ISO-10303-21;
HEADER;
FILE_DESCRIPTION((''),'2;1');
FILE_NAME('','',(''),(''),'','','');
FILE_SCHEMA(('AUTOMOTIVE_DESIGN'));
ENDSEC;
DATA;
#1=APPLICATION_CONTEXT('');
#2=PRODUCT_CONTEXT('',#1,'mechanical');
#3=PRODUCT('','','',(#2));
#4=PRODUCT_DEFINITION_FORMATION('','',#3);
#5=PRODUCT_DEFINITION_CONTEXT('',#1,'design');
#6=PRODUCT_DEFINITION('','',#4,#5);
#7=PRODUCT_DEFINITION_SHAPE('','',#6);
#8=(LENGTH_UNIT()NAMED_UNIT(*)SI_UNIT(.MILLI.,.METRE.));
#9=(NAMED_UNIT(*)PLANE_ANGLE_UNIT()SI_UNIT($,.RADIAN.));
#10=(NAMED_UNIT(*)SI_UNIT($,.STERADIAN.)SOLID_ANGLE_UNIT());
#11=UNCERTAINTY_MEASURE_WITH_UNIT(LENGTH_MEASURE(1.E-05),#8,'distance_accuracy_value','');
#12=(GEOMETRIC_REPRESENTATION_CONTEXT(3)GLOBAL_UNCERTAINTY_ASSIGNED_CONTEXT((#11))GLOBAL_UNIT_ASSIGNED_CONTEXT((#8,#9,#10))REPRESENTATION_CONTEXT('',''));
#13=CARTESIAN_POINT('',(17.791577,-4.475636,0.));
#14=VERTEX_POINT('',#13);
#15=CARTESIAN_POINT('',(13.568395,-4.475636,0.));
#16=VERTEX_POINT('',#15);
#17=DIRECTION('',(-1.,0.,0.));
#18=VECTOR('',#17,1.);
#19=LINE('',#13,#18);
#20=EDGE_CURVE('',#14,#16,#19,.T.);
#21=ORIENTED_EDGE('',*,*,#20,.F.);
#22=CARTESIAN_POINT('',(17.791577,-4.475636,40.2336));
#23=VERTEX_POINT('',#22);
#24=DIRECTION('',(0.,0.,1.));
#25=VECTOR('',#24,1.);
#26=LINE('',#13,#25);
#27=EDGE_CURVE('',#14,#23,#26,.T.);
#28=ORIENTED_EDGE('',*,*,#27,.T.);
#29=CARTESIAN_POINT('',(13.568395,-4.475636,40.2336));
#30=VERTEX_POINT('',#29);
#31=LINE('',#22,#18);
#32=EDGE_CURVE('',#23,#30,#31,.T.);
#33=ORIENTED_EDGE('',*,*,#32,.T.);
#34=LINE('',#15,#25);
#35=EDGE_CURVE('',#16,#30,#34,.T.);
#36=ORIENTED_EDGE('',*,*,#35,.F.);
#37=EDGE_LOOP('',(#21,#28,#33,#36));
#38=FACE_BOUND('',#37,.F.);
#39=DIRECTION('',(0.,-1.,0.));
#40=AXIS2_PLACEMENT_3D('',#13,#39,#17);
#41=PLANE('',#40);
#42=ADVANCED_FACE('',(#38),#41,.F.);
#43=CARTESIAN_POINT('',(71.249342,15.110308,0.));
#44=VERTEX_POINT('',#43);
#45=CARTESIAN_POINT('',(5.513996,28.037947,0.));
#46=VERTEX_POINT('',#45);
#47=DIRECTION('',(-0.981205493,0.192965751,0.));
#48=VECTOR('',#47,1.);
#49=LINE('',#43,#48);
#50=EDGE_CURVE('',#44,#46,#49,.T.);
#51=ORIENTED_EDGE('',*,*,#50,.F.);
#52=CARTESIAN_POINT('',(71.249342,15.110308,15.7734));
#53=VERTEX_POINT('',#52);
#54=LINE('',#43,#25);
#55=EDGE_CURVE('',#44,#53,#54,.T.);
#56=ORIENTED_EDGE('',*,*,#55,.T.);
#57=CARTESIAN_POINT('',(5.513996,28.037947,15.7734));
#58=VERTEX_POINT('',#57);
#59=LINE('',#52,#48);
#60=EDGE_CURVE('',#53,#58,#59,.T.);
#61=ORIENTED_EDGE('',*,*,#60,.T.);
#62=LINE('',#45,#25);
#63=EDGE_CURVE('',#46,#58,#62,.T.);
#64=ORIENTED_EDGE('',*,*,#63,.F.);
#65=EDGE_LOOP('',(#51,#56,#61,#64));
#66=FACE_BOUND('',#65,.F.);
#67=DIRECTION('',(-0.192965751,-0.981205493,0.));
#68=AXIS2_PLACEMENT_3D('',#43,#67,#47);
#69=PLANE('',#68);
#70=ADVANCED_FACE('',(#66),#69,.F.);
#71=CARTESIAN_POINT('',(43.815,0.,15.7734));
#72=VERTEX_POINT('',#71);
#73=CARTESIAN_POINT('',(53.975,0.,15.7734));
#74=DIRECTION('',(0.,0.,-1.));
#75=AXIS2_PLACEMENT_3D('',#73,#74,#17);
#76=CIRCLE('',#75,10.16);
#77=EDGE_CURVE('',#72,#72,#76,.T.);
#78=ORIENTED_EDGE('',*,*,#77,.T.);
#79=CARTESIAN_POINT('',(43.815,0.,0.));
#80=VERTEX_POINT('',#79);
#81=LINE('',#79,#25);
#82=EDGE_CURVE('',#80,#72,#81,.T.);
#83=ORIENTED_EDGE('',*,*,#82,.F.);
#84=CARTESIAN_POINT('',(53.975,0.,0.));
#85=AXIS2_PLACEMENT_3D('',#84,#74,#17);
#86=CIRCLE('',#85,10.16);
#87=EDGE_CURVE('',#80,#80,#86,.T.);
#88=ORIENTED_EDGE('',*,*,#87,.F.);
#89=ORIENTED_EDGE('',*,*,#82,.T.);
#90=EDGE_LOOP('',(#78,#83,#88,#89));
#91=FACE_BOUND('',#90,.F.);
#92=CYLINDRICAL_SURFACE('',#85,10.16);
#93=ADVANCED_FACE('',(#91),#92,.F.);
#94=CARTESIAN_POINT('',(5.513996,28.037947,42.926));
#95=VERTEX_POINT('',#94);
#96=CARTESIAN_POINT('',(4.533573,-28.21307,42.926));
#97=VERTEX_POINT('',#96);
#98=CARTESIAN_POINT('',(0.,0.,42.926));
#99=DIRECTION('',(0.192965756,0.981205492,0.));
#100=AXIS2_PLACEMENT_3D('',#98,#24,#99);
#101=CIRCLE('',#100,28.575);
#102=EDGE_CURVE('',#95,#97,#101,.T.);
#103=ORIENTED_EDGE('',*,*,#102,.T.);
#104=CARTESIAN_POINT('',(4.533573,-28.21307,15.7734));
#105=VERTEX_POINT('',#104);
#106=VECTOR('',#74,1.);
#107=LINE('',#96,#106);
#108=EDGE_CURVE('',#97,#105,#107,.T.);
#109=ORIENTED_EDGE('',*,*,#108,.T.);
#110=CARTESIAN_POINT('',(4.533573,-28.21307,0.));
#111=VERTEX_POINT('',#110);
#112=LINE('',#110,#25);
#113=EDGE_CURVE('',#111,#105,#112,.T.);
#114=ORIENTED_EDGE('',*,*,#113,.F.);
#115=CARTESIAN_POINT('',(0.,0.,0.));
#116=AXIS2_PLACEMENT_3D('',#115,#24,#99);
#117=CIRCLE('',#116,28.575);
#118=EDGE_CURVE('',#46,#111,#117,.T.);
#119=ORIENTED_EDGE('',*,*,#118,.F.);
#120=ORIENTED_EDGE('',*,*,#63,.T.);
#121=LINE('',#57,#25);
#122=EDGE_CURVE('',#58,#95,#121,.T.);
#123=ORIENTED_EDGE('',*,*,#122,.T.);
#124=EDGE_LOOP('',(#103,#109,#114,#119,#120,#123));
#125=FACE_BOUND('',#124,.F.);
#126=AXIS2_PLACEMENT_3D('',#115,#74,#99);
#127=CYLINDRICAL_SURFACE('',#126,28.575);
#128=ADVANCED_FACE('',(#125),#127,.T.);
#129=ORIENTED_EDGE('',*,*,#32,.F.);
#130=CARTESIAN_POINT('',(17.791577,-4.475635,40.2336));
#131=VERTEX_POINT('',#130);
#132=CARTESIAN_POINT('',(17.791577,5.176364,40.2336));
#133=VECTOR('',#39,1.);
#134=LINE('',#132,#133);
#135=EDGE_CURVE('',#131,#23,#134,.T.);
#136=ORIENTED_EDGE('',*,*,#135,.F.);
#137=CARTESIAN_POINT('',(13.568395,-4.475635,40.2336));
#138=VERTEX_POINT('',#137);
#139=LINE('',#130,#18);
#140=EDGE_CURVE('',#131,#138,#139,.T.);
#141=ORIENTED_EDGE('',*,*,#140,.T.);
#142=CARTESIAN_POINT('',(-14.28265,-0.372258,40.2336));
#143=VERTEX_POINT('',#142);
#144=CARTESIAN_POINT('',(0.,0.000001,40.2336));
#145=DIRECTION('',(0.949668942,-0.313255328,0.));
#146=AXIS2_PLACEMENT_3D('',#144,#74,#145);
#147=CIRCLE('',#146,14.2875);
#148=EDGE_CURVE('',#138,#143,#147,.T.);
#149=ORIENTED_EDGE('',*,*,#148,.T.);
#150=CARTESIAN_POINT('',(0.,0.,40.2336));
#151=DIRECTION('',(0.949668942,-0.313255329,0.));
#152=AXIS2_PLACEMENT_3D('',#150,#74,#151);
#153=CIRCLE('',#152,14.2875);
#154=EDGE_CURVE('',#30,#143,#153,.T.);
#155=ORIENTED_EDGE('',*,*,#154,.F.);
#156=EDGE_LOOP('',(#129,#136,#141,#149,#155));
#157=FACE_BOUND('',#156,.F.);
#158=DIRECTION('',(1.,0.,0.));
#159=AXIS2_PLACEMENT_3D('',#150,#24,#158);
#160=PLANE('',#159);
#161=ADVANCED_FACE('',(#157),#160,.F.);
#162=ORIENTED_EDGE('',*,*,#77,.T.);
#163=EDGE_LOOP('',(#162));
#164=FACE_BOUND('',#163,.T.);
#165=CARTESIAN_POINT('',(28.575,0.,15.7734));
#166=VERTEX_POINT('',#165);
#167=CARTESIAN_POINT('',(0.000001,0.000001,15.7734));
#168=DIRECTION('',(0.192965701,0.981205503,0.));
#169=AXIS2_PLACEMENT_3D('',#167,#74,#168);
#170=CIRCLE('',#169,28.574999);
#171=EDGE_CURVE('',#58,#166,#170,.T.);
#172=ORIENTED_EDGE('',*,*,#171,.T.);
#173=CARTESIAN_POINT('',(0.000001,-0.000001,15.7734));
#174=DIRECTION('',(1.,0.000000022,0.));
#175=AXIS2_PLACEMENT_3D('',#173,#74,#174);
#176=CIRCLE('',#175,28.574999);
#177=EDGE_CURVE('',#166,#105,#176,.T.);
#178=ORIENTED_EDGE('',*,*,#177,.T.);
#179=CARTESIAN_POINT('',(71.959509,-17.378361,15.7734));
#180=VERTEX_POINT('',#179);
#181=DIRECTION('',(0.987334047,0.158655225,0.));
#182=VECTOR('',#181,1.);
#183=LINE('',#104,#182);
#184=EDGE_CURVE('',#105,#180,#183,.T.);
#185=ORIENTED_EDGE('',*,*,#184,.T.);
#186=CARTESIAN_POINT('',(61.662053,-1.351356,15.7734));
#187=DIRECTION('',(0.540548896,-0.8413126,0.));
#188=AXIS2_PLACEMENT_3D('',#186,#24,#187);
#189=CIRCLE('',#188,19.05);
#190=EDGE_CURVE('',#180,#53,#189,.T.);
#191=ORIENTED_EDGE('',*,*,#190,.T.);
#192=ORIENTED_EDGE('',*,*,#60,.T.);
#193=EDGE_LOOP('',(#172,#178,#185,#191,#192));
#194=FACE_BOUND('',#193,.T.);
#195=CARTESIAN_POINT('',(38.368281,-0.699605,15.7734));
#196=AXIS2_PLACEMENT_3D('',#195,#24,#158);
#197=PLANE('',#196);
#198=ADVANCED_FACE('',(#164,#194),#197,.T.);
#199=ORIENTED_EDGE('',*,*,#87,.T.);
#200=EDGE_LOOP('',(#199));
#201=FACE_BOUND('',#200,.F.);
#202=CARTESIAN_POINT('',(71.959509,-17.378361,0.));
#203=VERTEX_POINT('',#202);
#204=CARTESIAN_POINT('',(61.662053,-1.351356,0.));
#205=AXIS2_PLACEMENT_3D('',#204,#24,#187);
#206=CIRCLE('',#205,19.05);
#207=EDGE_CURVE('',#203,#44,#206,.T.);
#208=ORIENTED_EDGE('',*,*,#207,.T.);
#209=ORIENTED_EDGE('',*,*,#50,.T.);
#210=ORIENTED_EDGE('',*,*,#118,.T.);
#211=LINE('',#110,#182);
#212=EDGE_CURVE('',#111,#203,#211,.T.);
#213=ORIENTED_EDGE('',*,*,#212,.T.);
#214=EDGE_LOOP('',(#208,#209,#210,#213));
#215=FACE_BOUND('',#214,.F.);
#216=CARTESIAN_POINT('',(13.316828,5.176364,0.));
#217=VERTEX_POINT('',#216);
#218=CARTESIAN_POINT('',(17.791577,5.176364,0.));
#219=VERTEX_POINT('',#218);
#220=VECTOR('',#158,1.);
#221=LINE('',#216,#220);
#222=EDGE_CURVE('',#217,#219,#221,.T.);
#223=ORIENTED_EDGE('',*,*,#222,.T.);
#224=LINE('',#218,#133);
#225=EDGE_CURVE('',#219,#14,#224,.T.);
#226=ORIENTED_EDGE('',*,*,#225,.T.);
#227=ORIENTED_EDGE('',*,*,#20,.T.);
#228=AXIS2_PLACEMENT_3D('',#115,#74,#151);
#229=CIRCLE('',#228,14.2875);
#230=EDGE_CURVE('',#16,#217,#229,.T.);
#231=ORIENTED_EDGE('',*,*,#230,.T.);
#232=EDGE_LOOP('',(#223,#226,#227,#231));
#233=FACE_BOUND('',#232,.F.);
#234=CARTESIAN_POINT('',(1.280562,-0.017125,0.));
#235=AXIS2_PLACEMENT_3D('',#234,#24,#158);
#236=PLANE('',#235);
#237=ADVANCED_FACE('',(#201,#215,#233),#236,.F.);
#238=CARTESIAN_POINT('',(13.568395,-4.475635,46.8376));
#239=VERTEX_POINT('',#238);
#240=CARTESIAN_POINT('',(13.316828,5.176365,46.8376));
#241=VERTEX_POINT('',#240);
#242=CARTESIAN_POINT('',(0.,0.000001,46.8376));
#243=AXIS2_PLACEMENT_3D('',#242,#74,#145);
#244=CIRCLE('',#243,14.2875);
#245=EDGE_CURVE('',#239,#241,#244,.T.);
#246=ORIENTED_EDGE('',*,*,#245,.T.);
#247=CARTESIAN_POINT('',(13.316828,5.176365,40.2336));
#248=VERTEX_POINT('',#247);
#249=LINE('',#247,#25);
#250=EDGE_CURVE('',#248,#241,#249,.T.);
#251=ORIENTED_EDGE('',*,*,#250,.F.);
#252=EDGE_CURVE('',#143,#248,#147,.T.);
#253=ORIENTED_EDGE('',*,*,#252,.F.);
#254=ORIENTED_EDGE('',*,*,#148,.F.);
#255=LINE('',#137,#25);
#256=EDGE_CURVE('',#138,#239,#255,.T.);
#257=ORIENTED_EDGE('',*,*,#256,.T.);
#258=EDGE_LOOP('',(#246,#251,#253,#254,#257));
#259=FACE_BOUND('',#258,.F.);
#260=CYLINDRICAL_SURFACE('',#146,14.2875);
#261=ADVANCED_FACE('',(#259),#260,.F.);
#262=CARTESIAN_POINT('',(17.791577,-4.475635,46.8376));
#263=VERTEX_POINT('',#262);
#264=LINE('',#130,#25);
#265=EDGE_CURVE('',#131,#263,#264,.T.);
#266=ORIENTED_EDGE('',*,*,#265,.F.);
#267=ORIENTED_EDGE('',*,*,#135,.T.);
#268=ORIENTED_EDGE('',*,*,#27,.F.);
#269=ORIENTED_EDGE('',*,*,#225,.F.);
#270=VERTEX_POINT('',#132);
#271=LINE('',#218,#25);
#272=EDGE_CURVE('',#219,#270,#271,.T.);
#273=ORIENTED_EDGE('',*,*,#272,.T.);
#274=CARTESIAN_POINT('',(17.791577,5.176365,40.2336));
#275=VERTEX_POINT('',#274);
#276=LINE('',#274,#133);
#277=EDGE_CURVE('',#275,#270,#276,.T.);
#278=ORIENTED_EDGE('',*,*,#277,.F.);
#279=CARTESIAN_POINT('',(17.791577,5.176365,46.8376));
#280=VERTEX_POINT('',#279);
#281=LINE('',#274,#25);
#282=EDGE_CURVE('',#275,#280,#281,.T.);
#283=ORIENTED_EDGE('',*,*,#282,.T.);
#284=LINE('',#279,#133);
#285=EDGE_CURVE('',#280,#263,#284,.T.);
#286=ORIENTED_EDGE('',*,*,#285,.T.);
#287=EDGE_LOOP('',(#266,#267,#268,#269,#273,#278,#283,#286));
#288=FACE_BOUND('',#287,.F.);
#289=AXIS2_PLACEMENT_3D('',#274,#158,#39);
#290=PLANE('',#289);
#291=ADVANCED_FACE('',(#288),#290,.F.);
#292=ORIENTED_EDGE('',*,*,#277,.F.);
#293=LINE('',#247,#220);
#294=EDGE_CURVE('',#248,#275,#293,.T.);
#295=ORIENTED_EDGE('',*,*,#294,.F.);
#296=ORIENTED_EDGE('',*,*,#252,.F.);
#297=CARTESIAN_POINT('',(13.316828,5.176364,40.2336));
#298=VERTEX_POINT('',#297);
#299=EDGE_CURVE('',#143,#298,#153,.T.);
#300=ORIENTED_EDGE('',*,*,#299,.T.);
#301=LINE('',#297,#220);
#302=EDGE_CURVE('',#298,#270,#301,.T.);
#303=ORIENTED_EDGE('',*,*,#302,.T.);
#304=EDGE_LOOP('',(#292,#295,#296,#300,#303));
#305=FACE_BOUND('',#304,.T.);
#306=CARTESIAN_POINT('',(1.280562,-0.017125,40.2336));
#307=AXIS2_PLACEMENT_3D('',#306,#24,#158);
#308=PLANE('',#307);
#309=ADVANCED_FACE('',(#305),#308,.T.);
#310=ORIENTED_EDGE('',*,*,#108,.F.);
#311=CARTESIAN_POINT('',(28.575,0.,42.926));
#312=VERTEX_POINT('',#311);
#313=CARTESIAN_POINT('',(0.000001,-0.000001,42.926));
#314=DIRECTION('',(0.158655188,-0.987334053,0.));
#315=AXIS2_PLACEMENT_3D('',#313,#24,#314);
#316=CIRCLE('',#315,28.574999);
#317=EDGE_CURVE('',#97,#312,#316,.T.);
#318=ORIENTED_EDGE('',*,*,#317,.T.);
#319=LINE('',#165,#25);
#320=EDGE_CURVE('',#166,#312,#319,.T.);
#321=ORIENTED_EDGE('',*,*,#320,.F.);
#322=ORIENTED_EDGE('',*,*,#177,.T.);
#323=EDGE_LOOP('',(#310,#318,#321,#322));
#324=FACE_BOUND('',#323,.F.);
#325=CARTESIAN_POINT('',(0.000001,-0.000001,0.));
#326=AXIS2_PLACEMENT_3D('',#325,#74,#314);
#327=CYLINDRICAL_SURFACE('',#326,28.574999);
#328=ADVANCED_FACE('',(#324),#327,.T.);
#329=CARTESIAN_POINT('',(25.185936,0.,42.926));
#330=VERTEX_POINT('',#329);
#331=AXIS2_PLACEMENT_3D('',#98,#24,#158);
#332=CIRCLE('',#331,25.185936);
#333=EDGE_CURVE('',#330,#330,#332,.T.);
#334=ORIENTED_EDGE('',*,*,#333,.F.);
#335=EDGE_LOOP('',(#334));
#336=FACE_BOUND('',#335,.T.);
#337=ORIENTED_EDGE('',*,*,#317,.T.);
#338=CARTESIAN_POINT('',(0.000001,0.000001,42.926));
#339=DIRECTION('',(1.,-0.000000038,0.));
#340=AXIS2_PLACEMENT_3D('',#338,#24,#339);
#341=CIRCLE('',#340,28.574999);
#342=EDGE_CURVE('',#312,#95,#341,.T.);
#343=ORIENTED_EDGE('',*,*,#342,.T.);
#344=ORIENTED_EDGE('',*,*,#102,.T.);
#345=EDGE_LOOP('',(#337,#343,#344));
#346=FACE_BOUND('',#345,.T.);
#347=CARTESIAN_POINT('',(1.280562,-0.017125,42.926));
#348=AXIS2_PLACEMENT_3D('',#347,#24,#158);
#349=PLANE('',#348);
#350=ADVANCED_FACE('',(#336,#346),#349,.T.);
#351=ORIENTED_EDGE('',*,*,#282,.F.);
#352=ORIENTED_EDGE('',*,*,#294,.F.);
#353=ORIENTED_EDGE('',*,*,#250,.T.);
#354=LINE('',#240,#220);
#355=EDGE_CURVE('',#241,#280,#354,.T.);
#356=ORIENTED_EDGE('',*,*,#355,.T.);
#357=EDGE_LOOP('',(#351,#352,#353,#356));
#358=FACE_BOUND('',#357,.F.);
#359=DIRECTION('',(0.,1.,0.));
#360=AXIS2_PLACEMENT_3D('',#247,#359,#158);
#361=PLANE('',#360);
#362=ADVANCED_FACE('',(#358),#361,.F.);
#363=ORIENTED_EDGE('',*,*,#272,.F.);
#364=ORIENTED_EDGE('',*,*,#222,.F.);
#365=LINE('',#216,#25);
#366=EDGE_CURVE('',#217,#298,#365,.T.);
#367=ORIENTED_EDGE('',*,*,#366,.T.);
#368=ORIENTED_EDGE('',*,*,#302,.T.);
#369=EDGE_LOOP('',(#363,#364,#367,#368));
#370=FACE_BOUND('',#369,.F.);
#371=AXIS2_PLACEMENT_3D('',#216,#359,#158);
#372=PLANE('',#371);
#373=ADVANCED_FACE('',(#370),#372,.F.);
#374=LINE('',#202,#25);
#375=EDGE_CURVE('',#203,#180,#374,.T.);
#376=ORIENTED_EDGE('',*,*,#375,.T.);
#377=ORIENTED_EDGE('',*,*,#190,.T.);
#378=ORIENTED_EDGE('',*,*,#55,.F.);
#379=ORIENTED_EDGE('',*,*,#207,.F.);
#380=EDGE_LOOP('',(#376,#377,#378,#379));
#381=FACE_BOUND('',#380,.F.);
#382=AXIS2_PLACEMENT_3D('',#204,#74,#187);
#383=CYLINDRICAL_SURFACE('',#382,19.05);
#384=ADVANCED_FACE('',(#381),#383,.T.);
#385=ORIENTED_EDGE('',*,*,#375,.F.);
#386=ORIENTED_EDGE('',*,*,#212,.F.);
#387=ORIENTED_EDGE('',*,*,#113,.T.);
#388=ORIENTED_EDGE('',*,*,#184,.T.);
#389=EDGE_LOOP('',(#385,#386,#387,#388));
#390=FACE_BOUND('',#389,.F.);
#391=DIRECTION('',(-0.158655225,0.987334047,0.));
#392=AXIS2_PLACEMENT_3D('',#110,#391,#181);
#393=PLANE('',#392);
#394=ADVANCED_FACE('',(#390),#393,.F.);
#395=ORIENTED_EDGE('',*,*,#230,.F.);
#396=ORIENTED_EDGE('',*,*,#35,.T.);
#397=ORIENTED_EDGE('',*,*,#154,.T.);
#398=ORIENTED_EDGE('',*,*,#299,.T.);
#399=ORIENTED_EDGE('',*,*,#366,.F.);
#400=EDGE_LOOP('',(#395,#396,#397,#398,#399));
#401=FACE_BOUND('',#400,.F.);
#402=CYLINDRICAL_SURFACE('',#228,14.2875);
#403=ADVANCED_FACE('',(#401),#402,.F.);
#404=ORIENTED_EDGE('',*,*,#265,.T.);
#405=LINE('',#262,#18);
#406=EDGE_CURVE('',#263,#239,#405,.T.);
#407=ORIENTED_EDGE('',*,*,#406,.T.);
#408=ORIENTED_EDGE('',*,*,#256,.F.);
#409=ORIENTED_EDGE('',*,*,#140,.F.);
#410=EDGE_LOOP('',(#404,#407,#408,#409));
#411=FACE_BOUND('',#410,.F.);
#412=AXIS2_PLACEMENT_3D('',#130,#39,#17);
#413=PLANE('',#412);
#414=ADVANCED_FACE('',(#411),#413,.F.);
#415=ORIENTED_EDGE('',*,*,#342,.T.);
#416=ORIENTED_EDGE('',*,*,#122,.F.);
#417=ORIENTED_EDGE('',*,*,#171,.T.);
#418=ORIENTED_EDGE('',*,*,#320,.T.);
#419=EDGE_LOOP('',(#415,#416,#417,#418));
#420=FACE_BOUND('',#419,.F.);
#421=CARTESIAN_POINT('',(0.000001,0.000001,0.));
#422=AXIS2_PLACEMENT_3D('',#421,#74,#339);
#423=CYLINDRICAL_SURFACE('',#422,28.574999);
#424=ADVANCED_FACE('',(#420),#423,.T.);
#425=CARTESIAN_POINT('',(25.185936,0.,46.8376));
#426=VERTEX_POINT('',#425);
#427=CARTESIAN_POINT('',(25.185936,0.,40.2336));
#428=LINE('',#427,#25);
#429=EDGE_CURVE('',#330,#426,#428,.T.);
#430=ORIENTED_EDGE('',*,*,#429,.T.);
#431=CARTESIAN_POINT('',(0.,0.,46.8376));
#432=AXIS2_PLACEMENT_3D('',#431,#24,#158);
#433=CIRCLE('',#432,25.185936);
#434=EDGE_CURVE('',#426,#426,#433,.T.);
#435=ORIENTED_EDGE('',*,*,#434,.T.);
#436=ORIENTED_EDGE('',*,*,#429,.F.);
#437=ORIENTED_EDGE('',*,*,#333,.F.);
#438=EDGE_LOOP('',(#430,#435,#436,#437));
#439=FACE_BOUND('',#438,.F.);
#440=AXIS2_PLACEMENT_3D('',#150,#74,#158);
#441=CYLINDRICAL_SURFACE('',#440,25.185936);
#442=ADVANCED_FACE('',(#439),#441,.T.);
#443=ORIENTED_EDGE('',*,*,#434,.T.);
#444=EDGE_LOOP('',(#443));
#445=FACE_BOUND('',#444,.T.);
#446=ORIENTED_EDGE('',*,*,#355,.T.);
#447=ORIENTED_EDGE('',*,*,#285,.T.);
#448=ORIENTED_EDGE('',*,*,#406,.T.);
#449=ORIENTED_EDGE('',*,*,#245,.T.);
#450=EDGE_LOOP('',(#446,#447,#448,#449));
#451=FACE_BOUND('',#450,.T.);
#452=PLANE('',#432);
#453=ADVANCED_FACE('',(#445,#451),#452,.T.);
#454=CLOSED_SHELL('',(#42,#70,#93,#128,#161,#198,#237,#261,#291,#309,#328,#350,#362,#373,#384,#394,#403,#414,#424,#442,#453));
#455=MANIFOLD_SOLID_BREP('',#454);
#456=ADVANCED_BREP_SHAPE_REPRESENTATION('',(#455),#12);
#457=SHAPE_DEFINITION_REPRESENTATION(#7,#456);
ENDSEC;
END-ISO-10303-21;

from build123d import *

# Parameters (mm, degrees)
F1_DEPTH  = 15.7734
F0_R      = 25.185936
F2_DEPTH  = 40.2336
F3_DEPTH  = 42.926
F2_FACE_R = 25.185936
F4_DEPTH  = 6.604


with BuildPart() as f1:
    # F0 (on Top) → F1 (new body)
    with BuildSketch(Plane.XY):
        with BuildLine():
            ThreePointArc((5.513996, 28.037947), (22.069131, 18.151697), (28.575, 0))
            ThreePointArc((28.575, 0), (21.749454, -18.533534), (4.533573, -28.21307))
            Line((4.533573, -28.21307), (71.959509, -17.378361))
            ThreePointArc((71.959509, -17.378361), (80.707503, -0.935043), (71.249342, 15.110308))
            Line((71.249342, 15.110308), (5.513996, 28.037947))
        make_face()
        with BuildLine():
            ThreePointArc((64.135, 0), (53.975, -10.16), (43.815, 0))
            ThreePointArc((43.815, 0), (53.975, 10.16), (64.135, 0))
        make_face(mode=Mode.SUBTRACT)
    extrude(amount=F1_DEPTH)

    # F0 (on Top) → F2 (join)
    with BuildSketch(Plane.XY):
        with BuildLine():
            ThreePointArc((4.533573, -28.21307), (21.749454, -18.533534), (28.575, 0))
            ThreePointArc((28.575, 0), (22.069131, 18.151697), (5.513996, 28.037947))
            ThreePointArc((5.513996, 28.037947), (-28.570661, 0.49797), (4.533573, -28.21307))
        make_face()
        Circle(F0_R, mode=Mode.SUBTRACT)
        Circle(F0_R)
        with BuildLine():
            ThreePointArc((13.568395, -4.475636), (-14.28265, -0.372259), (13.316828, 5.176364))
            Line((13.316828, 5.176364), (17.791577, 5.176364))
            Line((17.791577, 5.176364), (17.791577, 0))
            Line((17.791577, 0), (17.791577, -4.475636))
            Line((17.791577, -4.475636), (13.568395, -4.475636))
        make_face(mode=Mode.SUBTRACT)
    extrude(amount=F2_DEPTH)

    # F0 (on Top) → F3 (join)
    with BuildSketch(Plane.XY):
        with BuildLine():
            ThreePointArc((4.533573, -28.21307), (21.749454, -18.533534), (28.575, 0))
            ThreePointArc((28.575, 0), (22.069131, 18.151697), (5.513996, 28.037947))
            ThreePointArc((5.513996, 28.037947), (-28.570661, 0.49797), (4.533573, -28.21307))
        make_face()
        Circle(F0_R, mode=Mode.SUBTRACT)
    extrude(amount=F3_DEPTH)

    # F2_face (on face) → F4 (join)
    with BuildSketch(Plane(origin=(-0.441482, -0.011183, 40.2336), x_dir=(1, 0, 0), z_dir=(0, 0, 1))):
        with Locations((0.441482, 0.011183)):
            Circle(F2_FACE_R)
        with BuildLine():
            Line((18.233059, -4.464452), (14.009877, -4.464452))
            ThreePointArc((14.009877, -4.464452), (-13.841168, -0.361076), (13.75831, 5.187548))
            Line((13.75831, 5.187548), (18.233059, 5.187548))
            Line((18.233059, 5.187548), (18.233059, -4.464452))
        make_face(mode=Mode.SUBTRACT)
    extrude(amount=F4_DEPTH)


solid = f1.part
